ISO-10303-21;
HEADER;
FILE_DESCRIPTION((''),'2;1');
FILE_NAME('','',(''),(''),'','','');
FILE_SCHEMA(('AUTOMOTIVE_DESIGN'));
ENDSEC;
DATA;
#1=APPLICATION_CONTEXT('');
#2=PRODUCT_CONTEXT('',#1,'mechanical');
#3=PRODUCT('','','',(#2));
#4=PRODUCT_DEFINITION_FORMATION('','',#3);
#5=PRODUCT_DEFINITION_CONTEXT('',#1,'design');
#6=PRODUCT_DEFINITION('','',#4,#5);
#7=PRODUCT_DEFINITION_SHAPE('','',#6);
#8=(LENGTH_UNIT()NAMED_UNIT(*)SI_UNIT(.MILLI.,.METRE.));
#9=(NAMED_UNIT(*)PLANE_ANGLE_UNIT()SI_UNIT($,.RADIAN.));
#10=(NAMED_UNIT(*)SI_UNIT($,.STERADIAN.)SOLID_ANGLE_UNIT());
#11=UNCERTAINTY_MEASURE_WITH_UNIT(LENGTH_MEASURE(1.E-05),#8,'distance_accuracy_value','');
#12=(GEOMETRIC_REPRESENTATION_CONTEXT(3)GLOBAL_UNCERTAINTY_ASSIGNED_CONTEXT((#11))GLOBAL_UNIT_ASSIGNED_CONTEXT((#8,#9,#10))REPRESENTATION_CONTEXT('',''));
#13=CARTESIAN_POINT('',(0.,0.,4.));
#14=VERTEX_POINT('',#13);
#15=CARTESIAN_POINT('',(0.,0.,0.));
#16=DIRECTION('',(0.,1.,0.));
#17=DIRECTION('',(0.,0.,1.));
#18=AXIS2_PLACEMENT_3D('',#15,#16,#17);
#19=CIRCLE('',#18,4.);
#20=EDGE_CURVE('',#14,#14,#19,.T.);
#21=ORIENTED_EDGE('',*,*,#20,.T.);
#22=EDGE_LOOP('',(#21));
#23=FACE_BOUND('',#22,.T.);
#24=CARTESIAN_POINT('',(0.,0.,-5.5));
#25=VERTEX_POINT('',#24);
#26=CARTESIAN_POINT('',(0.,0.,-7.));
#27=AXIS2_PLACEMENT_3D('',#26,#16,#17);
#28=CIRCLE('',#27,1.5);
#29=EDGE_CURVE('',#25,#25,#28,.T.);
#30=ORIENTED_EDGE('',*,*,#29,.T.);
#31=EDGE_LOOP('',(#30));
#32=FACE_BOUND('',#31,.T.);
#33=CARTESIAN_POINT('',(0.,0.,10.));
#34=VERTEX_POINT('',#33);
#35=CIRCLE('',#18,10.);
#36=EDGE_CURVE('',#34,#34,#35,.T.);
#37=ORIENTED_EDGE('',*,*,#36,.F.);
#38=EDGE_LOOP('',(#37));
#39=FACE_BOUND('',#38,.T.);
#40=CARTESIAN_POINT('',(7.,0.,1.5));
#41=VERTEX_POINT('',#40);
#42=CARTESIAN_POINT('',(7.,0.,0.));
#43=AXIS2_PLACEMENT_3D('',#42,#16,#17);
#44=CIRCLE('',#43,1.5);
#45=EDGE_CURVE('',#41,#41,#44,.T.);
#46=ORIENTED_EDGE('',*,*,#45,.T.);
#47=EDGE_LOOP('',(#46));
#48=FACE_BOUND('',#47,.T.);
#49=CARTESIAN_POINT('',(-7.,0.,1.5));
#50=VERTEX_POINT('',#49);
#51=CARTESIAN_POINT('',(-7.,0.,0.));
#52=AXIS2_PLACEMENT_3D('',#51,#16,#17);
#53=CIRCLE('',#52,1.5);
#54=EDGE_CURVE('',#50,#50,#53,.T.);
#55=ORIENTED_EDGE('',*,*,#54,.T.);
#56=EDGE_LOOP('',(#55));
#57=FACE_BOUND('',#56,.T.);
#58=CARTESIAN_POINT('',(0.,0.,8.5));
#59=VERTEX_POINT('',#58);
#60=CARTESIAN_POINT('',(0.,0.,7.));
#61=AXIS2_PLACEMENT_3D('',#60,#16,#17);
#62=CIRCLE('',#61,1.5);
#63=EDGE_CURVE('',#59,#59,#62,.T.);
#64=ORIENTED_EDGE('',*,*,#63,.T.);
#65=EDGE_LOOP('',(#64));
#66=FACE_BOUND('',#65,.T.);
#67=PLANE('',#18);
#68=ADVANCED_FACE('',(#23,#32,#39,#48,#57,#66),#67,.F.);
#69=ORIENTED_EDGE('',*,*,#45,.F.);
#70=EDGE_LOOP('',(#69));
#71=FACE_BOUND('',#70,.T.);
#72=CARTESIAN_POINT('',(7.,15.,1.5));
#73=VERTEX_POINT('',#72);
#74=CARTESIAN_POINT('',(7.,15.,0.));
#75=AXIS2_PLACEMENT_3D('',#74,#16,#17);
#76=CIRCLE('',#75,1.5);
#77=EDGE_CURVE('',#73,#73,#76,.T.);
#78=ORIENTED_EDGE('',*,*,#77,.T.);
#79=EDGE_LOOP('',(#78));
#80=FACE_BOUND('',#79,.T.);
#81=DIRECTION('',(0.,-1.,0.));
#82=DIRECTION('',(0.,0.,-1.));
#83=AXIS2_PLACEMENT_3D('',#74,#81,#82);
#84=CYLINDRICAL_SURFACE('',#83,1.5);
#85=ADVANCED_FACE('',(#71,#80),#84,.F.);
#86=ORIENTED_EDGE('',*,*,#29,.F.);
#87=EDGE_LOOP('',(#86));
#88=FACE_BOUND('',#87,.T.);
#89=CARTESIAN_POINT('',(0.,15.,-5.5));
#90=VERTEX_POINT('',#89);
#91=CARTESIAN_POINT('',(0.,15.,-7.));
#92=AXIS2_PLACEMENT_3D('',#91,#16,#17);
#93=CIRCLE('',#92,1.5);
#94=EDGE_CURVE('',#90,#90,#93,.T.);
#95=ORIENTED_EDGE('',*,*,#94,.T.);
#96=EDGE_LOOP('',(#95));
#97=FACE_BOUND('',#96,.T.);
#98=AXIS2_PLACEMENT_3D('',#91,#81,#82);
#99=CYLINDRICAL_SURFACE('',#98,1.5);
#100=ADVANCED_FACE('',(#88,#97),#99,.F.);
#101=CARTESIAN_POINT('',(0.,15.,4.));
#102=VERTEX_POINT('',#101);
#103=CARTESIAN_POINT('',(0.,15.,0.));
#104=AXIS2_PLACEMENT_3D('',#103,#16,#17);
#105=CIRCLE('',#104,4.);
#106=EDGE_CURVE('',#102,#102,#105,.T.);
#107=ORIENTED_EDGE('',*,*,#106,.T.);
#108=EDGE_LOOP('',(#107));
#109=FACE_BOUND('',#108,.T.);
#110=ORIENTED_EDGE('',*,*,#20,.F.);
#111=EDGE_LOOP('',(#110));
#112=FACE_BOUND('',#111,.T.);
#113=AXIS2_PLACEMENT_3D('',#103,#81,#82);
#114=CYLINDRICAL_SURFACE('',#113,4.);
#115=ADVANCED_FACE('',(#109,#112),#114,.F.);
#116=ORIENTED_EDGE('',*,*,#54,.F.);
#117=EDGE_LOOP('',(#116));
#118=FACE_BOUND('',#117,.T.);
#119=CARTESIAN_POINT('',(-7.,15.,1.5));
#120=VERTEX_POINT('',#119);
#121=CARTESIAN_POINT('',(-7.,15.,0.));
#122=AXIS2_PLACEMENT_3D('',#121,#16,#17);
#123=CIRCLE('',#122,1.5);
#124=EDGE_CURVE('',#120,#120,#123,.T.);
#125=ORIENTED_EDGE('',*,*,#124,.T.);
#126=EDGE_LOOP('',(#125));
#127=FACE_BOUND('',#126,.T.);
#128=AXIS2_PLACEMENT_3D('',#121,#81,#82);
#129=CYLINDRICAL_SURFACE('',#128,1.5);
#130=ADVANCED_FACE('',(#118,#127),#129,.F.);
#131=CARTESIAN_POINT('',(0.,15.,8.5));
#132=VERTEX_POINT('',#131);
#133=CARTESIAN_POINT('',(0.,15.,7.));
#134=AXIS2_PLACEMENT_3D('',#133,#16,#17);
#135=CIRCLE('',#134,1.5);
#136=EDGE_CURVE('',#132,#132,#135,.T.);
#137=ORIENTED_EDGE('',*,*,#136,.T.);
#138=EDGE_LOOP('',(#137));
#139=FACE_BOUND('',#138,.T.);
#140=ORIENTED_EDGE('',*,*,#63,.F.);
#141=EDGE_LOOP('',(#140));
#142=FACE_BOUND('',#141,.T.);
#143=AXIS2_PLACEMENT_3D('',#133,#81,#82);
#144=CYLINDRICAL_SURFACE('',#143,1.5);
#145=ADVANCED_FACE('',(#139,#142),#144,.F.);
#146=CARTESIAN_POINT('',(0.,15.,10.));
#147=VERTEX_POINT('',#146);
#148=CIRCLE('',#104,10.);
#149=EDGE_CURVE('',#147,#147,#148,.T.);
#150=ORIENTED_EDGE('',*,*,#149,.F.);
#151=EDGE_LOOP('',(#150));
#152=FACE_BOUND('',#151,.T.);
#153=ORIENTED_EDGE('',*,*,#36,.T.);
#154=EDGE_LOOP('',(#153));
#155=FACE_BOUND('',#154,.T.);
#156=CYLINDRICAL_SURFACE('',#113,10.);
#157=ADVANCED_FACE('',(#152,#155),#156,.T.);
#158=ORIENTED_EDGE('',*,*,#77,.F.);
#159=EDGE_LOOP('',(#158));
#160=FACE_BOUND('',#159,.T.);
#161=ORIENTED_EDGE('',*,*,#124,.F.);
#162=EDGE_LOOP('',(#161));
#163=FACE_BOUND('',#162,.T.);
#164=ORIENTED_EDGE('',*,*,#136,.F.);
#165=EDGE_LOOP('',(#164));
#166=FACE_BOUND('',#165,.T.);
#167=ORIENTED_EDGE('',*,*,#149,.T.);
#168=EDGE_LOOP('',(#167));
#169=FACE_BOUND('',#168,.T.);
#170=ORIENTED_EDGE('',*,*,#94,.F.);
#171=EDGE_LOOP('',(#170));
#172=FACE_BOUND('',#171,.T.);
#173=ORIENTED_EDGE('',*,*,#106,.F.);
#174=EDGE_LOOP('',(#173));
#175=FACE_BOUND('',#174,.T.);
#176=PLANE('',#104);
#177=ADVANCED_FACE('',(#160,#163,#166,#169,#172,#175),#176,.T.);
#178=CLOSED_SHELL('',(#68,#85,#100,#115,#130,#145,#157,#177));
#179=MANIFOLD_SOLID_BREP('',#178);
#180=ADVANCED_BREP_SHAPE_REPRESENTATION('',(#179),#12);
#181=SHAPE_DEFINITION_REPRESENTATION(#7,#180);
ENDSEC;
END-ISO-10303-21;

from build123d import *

# Parameters (mm, degrees)
SKETCH_1_R      = 10
SKETCH_1_R_2    = 1.5
SKETCH_1_R_3    = 4
EXTRUDE_1_DEPTH = 15


with BuildPart() as part:
    # 草图1 → 凸台-拉伸1 (new body)
    with BuildSketch(Plane(origin=(0, 0, 0), x_dir=(1, 0, 0), z_dir=(0, 1, 0))):
        with Locations(Location((0, 0, 0), (0, 0, 270))):
            Circle(SKETCH_1_R)
        with Locations(Location((0, 7, 0), (0, 0, 270))):
            Circle(SKETCH_1_R_2, mode=Mode.SUBTRACT)
        with Locations(Location((-7, 0, 0), (0, 0, 270))):
            Circle(SKETCH_1_R_2, mode=Mode.SUBTRACT)
        with Locations(Location((0, -7, 0), (0, 0, 270))):
            Circle(SKETCH_1_R_2, mode=Mode.SUBTRACT)
        with Locations(Location((7, 0, 0), (0, 0, 270))):
            Circle(SKETCH_1_R_2, mode=Mode.SUBTRACT)
        with Locations(Location((0, 0, 0), (0, 0, 270))):
            Circle(SKETCH_1_R_3, mode=Mode.SUBTRACT)
    extrude(amount=EXTRUDE_1_DEPTH)


solid = part.part
